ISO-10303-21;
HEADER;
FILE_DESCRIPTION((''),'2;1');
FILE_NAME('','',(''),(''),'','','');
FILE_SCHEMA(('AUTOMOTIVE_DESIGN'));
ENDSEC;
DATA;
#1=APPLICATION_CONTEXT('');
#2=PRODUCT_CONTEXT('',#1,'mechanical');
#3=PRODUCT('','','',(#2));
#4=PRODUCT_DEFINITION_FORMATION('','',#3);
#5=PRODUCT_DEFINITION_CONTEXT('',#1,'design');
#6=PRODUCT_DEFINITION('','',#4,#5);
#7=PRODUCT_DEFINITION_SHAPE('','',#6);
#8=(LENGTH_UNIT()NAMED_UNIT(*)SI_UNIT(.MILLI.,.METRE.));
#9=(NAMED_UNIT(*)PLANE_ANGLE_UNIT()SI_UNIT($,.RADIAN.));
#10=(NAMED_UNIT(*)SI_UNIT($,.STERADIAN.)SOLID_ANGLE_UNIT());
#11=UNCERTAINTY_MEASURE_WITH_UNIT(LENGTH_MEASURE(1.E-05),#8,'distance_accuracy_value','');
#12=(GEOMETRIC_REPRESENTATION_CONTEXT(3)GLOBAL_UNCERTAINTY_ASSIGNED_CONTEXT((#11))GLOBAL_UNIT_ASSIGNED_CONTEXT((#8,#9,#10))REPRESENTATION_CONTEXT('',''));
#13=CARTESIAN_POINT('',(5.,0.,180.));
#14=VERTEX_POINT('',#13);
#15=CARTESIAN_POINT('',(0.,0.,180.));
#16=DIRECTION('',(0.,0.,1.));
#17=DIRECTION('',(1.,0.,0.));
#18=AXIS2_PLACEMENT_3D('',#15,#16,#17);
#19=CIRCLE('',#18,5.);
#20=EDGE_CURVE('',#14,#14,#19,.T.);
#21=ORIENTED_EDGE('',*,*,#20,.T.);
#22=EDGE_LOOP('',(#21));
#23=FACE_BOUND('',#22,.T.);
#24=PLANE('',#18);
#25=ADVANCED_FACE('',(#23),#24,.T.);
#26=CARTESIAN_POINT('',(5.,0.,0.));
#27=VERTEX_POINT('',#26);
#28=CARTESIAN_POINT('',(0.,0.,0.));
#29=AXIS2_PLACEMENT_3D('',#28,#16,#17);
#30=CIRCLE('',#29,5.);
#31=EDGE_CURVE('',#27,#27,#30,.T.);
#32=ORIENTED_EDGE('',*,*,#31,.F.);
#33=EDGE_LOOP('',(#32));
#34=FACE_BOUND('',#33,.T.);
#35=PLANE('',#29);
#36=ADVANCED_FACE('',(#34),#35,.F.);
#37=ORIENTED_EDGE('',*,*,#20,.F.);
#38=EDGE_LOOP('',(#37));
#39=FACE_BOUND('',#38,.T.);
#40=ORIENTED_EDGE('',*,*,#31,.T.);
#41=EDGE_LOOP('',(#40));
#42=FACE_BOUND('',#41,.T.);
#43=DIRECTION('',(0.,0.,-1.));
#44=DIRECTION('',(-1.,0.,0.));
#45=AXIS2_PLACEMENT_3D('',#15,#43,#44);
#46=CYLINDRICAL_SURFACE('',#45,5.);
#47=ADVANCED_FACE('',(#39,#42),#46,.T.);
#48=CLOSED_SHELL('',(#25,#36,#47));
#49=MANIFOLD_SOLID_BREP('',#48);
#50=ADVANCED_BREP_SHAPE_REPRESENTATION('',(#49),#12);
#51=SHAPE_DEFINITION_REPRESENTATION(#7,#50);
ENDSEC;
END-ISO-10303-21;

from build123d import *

# Parameters (mm, degrees)
IZIM1_R                     = 5
Y_KSEKLIK_EKSTR_ZYON1_DEPTH = 180


with BuildPart() as part:
    # Çizim1 → Yükseklik-Ekstrüzyon1 (new body)
    with BuildSketch(Plane.XY):
        Circle(IZIM1_R)
    extrude(amount=Y_KSEKLIK_EKSTR_ZYON1_DEPTH)


solid = part.part
